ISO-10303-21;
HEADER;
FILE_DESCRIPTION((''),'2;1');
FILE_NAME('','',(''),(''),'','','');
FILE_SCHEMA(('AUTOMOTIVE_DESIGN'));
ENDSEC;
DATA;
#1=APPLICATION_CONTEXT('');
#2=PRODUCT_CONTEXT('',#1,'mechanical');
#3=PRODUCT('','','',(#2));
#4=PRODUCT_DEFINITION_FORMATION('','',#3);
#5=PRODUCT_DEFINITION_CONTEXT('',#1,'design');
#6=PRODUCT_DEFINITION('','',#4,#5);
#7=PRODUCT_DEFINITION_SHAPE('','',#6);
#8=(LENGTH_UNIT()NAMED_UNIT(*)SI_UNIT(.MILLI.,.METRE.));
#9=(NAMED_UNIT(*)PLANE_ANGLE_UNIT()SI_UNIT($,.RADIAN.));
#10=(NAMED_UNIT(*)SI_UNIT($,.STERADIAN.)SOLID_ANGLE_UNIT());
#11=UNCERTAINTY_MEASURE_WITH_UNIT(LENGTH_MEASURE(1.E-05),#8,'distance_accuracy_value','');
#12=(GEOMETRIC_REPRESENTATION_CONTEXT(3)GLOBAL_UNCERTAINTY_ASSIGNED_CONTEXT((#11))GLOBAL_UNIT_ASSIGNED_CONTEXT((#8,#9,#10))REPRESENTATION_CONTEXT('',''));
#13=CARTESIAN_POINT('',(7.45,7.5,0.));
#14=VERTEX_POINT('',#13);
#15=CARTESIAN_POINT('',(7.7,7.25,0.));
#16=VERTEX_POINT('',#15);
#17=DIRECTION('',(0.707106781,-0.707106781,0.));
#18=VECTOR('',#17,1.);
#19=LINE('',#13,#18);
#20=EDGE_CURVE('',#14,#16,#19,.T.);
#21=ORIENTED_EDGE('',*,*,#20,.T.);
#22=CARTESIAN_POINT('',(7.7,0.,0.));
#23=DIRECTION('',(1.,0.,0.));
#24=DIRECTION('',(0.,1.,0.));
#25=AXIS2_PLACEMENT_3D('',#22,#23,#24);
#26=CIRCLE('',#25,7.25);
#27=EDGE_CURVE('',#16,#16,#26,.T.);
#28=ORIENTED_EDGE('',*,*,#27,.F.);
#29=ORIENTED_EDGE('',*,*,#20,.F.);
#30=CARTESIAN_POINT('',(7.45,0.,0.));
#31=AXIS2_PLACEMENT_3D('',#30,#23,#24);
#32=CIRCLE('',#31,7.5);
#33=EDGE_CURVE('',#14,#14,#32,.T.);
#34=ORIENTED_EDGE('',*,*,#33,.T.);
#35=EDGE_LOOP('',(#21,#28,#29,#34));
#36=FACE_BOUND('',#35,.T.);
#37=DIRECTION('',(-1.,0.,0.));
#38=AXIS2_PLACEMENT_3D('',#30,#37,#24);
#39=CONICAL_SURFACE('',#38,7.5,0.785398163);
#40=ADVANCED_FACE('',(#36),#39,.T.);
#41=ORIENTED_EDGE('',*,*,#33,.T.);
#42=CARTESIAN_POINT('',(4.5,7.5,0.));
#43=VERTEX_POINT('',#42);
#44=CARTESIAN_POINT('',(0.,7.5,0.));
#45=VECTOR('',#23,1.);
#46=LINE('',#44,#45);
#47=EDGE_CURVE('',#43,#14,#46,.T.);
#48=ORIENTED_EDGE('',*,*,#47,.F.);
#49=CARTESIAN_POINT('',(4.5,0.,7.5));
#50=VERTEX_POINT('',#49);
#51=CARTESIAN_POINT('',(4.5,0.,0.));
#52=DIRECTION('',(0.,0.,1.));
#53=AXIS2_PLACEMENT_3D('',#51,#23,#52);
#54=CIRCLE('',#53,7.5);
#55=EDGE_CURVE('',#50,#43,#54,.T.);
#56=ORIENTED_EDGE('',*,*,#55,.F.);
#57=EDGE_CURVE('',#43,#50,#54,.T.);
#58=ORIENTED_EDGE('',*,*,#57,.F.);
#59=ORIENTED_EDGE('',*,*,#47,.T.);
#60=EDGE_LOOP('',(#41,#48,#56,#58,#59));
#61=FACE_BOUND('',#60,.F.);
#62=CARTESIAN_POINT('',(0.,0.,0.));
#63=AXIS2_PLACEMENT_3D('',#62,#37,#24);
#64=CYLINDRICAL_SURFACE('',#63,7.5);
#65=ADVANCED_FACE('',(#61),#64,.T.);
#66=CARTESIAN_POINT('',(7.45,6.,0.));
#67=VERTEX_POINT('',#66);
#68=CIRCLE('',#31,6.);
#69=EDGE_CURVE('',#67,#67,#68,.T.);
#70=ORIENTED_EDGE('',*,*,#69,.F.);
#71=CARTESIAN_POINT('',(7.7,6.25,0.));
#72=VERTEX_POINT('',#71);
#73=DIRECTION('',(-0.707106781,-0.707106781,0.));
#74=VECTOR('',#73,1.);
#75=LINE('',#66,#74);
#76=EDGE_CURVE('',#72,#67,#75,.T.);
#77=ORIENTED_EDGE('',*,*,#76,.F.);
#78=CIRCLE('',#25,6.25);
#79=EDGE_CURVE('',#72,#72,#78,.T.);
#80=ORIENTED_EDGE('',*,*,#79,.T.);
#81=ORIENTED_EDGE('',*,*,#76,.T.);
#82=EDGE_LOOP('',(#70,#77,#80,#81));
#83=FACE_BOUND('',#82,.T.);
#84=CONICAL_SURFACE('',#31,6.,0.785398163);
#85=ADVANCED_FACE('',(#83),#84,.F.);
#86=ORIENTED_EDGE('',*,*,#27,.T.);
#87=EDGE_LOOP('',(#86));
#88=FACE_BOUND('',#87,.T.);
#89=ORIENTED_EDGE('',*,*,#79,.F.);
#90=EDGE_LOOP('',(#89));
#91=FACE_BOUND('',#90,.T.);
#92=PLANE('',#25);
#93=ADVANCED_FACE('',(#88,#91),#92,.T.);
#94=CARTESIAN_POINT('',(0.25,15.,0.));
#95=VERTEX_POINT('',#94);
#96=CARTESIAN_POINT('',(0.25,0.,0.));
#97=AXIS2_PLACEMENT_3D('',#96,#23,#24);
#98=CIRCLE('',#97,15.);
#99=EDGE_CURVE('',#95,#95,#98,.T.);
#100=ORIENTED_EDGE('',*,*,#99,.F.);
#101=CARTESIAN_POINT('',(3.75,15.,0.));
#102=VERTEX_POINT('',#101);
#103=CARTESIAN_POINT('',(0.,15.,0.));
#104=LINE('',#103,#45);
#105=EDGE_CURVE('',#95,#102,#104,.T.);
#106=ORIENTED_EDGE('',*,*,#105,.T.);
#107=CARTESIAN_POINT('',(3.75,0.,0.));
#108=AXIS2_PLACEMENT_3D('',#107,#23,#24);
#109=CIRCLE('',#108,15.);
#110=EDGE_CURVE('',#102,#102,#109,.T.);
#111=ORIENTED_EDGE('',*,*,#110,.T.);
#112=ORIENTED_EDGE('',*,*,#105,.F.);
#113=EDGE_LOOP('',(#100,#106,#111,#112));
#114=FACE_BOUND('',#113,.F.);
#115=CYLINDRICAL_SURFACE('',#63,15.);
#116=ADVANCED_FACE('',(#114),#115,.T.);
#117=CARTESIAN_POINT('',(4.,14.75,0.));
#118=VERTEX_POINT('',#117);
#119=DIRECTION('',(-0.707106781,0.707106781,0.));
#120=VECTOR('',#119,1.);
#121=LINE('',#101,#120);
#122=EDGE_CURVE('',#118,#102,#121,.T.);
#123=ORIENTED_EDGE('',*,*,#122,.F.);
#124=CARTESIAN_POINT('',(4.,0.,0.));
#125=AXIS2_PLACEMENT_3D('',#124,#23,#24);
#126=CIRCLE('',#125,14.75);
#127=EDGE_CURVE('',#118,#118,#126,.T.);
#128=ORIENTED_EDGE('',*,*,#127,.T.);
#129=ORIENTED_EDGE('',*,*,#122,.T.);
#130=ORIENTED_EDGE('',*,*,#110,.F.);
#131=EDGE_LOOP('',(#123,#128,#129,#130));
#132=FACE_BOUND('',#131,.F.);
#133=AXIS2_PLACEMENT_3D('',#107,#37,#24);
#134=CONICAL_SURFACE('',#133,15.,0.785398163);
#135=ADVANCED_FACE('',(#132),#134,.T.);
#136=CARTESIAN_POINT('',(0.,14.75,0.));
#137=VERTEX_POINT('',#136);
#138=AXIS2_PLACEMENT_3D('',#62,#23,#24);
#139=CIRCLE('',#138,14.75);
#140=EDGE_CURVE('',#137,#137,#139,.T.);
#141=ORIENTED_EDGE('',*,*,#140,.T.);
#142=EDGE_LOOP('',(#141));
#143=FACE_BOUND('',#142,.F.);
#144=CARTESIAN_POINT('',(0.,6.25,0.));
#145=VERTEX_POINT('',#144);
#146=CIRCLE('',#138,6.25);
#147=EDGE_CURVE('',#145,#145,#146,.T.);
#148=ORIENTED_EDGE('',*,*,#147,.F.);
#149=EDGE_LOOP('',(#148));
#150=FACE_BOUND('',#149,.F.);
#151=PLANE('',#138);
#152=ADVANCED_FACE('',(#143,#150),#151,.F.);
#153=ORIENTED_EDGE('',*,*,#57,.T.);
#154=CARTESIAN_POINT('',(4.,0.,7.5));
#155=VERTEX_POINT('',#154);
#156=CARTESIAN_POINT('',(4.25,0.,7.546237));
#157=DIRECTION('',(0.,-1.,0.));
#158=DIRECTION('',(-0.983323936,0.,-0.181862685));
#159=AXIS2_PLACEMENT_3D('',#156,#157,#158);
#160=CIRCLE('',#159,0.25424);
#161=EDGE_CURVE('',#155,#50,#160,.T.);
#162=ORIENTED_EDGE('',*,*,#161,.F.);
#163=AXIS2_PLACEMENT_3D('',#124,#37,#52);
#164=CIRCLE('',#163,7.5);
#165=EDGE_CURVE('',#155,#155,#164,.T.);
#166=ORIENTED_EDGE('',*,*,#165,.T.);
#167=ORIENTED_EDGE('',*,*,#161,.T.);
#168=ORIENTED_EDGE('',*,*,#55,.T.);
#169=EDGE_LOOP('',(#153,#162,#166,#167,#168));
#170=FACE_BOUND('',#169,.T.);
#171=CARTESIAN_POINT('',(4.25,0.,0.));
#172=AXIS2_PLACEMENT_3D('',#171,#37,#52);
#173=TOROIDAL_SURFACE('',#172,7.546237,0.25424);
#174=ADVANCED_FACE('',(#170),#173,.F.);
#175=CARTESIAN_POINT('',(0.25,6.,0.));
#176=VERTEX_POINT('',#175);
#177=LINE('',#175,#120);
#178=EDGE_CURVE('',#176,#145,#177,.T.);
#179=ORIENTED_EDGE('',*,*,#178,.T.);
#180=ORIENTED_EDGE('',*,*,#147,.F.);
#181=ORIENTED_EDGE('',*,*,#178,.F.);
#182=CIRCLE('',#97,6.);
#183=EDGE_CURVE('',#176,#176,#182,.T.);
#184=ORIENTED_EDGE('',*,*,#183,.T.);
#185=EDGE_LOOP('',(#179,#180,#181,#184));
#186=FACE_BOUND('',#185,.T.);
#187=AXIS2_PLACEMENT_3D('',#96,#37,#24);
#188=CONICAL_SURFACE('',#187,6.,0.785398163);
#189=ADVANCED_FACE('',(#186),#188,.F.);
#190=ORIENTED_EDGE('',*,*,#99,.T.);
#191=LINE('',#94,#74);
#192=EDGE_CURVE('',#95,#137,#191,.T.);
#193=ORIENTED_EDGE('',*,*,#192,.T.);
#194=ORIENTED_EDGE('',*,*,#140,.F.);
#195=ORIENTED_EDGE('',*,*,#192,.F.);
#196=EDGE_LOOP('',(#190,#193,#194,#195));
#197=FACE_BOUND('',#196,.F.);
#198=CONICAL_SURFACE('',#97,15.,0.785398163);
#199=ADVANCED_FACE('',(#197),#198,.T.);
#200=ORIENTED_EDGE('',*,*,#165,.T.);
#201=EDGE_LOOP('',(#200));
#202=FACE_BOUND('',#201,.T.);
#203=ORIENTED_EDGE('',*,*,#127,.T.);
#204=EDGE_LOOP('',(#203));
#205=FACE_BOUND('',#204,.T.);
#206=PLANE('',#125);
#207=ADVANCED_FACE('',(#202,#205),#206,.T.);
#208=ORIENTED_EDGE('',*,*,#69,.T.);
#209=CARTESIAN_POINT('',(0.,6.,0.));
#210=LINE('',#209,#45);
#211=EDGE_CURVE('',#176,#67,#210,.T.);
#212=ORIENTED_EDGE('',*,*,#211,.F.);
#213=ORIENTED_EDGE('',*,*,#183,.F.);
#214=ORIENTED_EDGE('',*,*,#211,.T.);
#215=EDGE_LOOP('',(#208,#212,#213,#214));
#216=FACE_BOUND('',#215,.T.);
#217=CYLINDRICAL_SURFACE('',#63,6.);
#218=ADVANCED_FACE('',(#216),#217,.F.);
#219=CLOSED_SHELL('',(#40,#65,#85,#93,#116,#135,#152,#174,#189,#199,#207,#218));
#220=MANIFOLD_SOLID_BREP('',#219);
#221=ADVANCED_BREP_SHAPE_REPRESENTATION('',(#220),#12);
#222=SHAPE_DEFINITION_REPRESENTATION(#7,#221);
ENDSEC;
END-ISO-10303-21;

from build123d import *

# Parameters (mm, degrees)
F0_R     = 15
F0_R_2   = 7.5
F1_DEPTH = 4
F0_R_3   = 6
F2_DEPTH = 7.7
F3_SIZE  = 0.25


with BuildPart() as f1:
    # F0 (on Right) → F1 (new body)
    with BuildSketch(Plane.YZ):
        Circle(F0_R)
        Circle(F0_R_2, mode=Mode.SUBTRACT)
    extrude(amount=F1_DEPTH)

    # F0 (on Right) → F2 (join)
    with BuildSketch(Plane.YZ):
        Circle(F0_R_2)
        Circle(F0_R_3, mode=Mode.SUBTRACT)
    extrude(amount=F2_DEPTH)

    # F3
    f3_edges = [f1.edges().sort_by_distance(p)[0] for p in [
        (0, -15, 0),
        (0, -6, 0),
        (4, -15, 0),
        (7.7, -7.5, 0),
        (7.7, -6, 0),
    ]]
    chamfer(f3_edges, length=F3_SIZE)

    # F4 (on Front) → F5 (revolve, cut)
    with BuildSketch(Plane.XZ):
        with BuildLine():
            Line((4.5, 7.5), (4, 7.5))
            ThreePointArc((4, 7.5), (4.25, 7.291997), (4.5, 7.5))
        make_face()
    revolve(axis=Axis((2, 0, 0), (1, 0, 0)), mode=Mode.SUBTRACT)


solid = f1.part
